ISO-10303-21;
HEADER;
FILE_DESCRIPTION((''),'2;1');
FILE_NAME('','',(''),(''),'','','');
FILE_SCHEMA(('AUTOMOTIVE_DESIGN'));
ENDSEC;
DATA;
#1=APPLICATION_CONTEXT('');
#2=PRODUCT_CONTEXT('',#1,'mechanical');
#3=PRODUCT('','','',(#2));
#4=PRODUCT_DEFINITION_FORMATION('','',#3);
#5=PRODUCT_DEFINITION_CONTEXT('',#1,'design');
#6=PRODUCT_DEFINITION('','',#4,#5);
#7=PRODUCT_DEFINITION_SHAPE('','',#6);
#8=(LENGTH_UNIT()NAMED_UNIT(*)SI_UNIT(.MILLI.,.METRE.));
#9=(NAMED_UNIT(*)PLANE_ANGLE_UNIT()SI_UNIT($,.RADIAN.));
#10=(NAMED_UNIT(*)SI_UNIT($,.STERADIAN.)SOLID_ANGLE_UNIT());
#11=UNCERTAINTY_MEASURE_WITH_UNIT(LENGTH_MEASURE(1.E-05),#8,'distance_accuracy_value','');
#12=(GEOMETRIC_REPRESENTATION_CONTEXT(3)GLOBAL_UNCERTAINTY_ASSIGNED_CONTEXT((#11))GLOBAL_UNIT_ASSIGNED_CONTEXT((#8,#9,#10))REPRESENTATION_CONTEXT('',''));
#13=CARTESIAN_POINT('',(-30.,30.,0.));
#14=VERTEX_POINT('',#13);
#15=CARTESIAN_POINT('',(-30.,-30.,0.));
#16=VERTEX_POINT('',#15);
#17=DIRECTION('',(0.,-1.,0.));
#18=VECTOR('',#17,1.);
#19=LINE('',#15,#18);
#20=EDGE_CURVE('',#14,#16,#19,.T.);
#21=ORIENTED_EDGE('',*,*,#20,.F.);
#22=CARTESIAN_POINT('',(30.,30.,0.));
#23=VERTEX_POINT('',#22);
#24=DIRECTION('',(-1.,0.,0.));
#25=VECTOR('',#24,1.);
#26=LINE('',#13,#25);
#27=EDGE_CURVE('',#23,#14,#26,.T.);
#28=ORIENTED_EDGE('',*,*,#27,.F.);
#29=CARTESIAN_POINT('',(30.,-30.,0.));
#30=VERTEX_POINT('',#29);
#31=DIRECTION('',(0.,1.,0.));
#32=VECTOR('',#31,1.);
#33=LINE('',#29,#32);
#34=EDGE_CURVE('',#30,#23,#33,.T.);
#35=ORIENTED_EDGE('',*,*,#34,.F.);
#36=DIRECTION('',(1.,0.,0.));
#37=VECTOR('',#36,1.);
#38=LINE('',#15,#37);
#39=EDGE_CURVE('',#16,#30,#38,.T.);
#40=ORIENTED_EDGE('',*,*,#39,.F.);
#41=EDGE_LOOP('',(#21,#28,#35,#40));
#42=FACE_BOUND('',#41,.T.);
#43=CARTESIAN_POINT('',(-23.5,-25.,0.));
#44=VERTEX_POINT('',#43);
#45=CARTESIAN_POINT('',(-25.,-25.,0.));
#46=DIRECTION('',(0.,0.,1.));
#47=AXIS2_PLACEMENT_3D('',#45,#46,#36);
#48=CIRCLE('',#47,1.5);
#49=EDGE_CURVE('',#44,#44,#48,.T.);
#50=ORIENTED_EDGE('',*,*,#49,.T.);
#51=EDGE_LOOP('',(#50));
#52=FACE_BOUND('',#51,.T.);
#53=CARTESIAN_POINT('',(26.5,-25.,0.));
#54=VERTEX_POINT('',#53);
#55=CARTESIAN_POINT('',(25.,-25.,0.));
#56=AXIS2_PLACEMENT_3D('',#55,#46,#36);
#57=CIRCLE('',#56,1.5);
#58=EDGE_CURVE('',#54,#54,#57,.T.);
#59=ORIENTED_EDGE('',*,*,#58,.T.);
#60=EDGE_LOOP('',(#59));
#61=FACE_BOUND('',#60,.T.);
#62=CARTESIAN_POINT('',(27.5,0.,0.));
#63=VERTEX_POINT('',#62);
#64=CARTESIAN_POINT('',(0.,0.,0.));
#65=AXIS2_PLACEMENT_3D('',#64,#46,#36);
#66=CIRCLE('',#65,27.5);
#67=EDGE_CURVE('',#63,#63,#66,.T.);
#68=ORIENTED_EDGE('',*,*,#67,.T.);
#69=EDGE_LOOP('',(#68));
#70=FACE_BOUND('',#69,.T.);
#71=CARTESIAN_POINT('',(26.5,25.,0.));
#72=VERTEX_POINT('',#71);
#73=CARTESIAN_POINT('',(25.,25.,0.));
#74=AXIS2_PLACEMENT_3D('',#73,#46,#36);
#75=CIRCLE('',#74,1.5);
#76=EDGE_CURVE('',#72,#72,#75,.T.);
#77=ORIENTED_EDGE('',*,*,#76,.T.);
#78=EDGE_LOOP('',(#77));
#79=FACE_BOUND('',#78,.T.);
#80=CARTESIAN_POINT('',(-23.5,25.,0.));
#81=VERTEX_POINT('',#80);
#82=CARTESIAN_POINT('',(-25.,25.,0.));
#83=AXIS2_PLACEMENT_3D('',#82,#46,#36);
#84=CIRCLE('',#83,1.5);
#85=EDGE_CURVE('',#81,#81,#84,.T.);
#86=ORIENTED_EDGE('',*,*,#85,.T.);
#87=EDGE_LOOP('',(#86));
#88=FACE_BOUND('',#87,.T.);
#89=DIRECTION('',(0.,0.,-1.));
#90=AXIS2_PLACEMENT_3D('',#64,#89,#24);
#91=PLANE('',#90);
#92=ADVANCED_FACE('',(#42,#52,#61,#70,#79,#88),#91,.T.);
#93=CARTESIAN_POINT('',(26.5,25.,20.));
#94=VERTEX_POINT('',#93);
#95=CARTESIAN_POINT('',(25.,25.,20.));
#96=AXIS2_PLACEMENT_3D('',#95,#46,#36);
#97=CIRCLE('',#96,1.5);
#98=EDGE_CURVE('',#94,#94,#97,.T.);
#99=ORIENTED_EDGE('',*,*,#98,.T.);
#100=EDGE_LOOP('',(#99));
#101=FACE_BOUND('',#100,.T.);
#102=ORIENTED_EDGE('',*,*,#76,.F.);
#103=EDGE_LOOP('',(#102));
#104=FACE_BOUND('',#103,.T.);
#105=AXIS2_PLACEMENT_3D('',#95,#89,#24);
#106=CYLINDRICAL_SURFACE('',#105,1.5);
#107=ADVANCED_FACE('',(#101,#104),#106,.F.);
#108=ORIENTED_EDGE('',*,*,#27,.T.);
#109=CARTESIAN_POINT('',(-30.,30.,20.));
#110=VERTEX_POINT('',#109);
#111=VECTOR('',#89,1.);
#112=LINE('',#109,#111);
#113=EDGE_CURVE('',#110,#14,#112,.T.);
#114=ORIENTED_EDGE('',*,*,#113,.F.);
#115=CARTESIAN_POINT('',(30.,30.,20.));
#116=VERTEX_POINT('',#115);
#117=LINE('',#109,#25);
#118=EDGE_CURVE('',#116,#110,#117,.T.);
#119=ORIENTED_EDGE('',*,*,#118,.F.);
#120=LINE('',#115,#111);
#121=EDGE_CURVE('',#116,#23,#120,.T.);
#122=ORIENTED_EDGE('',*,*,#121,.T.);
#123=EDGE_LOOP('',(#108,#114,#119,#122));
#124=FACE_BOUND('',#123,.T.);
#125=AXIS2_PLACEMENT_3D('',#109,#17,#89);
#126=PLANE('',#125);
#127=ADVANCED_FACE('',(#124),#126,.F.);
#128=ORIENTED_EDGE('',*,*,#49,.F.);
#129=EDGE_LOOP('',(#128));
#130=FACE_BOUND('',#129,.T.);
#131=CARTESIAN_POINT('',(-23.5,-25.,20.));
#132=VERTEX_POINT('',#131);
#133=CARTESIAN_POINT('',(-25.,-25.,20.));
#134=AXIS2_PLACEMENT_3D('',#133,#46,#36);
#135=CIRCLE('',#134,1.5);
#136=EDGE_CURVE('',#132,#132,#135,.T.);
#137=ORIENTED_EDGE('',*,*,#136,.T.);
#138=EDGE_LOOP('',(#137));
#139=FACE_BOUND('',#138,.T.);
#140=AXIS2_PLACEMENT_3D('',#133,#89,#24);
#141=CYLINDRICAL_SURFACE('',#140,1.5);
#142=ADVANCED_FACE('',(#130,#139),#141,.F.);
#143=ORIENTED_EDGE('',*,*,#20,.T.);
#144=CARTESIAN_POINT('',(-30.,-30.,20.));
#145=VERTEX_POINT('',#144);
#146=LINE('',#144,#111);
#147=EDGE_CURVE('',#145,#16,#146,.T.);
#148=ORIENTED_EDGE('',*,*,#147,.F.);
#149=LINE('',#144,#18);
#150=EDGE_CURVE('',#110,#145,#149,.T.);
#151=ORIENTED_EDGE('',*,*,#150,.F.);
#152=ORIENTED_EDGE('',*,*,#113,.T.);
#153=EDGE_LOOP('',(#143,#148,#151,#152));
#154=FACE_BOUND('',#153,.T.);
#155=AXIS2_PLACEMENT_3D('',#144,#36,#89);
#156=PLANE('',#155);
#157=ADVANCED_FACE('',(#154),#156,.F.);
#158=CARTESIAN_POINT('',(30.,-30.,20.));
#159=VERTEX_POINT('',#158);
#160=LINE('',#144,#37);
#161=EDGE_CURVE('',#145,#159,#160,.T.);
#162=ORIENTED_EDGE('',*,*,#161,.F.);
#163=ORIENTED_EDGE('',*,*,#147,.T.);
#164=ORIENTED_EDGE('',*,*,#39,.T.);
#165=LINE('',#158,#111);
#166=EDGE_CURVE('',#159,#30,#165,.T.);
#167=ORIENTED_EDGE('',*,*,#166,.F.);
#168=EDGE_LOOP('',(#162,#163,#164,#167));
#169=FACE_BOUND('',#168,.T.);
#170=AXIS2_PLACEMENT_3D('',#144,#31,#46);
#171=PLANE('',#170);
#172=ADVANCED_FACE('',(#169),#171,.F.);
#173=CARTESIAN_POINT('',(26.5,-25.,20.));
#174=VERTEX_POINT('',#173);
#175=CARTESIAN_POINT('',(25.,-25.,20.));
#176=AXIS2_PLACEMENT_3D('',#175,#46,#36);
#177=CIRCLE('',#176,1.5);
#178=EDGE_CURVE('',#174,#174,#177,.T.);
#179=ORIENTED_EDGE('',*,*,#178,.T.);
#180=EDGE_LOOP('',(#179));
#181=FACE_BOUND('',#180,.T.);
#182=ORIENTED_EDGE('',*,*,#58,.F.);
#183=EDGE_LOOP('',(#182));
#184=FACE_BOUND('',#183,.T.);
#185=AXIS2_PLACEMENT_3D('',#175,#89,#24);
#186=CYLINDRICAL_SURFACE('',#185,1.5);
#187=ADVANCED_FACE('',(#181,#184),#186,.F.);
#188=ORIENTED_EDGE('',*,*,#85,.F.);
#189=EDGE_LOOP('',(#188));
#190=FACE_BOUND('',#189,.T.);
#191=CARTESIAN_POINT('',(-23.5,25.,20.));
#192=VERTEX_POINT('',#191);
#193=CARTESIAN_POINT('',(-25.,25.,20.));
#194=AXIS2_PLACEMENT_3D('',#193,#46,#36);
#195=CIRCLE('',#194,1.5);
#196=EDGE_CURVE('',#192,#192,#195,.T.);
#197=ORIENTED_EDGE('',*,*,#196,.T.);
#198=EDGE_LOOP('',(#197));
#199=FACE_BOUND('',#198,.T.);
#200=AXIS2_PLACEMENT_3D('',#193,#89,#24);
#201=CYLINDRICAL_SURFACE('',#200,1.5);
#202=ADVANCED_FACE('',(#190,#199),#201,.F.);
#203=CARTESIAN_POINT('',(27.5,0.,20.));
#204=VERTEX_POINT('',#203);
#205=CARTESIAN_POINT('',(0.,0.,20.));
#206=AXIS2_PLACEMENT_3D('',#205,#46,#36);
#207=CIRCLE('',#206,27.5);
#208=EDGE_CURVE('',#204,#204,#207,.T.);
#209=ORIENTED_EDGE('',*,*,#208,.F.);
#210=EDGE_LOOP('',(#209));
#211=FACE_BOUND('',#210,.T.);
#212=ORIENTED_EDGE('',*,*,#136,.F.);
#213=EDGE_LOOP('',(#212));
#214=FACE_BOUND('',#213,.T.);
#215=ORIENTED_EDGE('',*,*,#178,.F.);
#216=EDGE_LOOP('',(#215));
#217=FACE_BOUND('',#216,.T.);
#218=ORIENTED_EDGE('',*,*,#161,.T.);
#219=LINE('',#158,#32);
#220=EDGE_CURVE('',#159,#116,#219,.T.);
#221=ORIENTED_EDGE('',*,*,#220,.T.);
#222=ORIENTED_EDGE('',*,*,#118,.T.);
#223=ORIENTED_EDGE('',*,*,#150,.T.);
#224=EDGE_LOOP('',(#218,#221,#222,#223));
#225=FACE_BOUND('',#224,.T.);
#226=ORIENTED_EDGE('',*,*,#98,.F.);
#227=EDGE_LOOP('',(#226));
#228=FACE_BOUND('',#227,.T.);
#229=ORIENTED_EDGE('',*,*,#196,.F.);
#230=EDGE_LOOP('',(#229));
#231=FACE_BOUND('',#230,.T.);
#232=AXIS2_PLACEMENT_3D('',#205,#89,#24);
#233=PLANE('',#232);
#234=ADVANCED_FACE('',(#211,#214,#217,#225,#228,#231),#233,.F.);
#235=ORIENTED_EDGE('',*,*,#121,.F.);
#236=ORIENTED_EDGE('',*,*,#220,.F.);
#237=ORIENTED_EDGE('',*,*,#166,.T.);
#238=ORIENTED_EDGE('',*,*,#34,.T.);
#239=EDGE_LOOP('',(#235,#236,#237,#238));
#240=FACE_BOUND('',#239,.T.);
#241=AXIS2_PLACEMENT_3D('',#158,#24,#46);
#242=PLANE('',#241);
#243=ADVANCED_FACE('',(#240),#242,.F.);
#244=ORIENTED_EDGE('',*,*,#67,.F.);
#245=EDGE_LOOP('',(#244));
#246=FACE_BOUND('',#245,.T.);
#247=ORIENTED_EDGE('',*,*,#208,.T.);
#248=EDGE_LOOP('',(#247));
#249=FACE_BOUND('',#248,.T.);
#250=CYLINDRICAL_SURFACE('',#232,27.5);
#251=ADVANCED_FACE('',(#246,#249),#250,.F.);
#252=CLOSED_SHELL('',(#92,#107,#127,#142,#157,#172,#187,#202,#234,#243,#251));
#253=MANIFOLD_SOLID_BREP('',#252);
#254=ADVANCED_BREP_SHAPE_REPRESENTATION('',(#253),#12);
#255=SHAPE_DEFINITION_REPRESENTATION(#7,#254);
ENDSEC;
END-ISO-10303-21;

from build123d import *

# Parameters (mm, degrees)
ESBO_O1_W                = 60
ESBO_O1_H                = 60
ESBO_O1_R                = 1.5
ESBO_O1_R_2              = 27.5
RESSALTO_EXTRUS_O1_DEPTH = 20


with BuildPart() as part:
    # Esboço1 → Ressalto-extrusão1 (new body)
    with BuildSketch(Plane.XY):
        Rectangle(ESBO_O1_W, ESBO_O1_H)
        with Locations((25, 25)):
            Circle(ESBO_O1_R, mode=Mode.SUBTRACT)
        with Locations((-25, 25)):
            Circle(ESBO_O1_R, mode=Mode.SUBTRACT)
        with Locations((-25, -25)):
            Circle(ESBO_O1_R, mode=Mode.SUBTRACT)
        with Locations((25, -25)):
            Circle(ESBO_O1_R, mode=Mode.SUBTRACT)
        Circle(ESBO_O1_R_2, mode=Mode.SUBTRACT)
    extrude(amount=RESSALTO_EXTRUS_O1_DEPTH)


solid = part.part
